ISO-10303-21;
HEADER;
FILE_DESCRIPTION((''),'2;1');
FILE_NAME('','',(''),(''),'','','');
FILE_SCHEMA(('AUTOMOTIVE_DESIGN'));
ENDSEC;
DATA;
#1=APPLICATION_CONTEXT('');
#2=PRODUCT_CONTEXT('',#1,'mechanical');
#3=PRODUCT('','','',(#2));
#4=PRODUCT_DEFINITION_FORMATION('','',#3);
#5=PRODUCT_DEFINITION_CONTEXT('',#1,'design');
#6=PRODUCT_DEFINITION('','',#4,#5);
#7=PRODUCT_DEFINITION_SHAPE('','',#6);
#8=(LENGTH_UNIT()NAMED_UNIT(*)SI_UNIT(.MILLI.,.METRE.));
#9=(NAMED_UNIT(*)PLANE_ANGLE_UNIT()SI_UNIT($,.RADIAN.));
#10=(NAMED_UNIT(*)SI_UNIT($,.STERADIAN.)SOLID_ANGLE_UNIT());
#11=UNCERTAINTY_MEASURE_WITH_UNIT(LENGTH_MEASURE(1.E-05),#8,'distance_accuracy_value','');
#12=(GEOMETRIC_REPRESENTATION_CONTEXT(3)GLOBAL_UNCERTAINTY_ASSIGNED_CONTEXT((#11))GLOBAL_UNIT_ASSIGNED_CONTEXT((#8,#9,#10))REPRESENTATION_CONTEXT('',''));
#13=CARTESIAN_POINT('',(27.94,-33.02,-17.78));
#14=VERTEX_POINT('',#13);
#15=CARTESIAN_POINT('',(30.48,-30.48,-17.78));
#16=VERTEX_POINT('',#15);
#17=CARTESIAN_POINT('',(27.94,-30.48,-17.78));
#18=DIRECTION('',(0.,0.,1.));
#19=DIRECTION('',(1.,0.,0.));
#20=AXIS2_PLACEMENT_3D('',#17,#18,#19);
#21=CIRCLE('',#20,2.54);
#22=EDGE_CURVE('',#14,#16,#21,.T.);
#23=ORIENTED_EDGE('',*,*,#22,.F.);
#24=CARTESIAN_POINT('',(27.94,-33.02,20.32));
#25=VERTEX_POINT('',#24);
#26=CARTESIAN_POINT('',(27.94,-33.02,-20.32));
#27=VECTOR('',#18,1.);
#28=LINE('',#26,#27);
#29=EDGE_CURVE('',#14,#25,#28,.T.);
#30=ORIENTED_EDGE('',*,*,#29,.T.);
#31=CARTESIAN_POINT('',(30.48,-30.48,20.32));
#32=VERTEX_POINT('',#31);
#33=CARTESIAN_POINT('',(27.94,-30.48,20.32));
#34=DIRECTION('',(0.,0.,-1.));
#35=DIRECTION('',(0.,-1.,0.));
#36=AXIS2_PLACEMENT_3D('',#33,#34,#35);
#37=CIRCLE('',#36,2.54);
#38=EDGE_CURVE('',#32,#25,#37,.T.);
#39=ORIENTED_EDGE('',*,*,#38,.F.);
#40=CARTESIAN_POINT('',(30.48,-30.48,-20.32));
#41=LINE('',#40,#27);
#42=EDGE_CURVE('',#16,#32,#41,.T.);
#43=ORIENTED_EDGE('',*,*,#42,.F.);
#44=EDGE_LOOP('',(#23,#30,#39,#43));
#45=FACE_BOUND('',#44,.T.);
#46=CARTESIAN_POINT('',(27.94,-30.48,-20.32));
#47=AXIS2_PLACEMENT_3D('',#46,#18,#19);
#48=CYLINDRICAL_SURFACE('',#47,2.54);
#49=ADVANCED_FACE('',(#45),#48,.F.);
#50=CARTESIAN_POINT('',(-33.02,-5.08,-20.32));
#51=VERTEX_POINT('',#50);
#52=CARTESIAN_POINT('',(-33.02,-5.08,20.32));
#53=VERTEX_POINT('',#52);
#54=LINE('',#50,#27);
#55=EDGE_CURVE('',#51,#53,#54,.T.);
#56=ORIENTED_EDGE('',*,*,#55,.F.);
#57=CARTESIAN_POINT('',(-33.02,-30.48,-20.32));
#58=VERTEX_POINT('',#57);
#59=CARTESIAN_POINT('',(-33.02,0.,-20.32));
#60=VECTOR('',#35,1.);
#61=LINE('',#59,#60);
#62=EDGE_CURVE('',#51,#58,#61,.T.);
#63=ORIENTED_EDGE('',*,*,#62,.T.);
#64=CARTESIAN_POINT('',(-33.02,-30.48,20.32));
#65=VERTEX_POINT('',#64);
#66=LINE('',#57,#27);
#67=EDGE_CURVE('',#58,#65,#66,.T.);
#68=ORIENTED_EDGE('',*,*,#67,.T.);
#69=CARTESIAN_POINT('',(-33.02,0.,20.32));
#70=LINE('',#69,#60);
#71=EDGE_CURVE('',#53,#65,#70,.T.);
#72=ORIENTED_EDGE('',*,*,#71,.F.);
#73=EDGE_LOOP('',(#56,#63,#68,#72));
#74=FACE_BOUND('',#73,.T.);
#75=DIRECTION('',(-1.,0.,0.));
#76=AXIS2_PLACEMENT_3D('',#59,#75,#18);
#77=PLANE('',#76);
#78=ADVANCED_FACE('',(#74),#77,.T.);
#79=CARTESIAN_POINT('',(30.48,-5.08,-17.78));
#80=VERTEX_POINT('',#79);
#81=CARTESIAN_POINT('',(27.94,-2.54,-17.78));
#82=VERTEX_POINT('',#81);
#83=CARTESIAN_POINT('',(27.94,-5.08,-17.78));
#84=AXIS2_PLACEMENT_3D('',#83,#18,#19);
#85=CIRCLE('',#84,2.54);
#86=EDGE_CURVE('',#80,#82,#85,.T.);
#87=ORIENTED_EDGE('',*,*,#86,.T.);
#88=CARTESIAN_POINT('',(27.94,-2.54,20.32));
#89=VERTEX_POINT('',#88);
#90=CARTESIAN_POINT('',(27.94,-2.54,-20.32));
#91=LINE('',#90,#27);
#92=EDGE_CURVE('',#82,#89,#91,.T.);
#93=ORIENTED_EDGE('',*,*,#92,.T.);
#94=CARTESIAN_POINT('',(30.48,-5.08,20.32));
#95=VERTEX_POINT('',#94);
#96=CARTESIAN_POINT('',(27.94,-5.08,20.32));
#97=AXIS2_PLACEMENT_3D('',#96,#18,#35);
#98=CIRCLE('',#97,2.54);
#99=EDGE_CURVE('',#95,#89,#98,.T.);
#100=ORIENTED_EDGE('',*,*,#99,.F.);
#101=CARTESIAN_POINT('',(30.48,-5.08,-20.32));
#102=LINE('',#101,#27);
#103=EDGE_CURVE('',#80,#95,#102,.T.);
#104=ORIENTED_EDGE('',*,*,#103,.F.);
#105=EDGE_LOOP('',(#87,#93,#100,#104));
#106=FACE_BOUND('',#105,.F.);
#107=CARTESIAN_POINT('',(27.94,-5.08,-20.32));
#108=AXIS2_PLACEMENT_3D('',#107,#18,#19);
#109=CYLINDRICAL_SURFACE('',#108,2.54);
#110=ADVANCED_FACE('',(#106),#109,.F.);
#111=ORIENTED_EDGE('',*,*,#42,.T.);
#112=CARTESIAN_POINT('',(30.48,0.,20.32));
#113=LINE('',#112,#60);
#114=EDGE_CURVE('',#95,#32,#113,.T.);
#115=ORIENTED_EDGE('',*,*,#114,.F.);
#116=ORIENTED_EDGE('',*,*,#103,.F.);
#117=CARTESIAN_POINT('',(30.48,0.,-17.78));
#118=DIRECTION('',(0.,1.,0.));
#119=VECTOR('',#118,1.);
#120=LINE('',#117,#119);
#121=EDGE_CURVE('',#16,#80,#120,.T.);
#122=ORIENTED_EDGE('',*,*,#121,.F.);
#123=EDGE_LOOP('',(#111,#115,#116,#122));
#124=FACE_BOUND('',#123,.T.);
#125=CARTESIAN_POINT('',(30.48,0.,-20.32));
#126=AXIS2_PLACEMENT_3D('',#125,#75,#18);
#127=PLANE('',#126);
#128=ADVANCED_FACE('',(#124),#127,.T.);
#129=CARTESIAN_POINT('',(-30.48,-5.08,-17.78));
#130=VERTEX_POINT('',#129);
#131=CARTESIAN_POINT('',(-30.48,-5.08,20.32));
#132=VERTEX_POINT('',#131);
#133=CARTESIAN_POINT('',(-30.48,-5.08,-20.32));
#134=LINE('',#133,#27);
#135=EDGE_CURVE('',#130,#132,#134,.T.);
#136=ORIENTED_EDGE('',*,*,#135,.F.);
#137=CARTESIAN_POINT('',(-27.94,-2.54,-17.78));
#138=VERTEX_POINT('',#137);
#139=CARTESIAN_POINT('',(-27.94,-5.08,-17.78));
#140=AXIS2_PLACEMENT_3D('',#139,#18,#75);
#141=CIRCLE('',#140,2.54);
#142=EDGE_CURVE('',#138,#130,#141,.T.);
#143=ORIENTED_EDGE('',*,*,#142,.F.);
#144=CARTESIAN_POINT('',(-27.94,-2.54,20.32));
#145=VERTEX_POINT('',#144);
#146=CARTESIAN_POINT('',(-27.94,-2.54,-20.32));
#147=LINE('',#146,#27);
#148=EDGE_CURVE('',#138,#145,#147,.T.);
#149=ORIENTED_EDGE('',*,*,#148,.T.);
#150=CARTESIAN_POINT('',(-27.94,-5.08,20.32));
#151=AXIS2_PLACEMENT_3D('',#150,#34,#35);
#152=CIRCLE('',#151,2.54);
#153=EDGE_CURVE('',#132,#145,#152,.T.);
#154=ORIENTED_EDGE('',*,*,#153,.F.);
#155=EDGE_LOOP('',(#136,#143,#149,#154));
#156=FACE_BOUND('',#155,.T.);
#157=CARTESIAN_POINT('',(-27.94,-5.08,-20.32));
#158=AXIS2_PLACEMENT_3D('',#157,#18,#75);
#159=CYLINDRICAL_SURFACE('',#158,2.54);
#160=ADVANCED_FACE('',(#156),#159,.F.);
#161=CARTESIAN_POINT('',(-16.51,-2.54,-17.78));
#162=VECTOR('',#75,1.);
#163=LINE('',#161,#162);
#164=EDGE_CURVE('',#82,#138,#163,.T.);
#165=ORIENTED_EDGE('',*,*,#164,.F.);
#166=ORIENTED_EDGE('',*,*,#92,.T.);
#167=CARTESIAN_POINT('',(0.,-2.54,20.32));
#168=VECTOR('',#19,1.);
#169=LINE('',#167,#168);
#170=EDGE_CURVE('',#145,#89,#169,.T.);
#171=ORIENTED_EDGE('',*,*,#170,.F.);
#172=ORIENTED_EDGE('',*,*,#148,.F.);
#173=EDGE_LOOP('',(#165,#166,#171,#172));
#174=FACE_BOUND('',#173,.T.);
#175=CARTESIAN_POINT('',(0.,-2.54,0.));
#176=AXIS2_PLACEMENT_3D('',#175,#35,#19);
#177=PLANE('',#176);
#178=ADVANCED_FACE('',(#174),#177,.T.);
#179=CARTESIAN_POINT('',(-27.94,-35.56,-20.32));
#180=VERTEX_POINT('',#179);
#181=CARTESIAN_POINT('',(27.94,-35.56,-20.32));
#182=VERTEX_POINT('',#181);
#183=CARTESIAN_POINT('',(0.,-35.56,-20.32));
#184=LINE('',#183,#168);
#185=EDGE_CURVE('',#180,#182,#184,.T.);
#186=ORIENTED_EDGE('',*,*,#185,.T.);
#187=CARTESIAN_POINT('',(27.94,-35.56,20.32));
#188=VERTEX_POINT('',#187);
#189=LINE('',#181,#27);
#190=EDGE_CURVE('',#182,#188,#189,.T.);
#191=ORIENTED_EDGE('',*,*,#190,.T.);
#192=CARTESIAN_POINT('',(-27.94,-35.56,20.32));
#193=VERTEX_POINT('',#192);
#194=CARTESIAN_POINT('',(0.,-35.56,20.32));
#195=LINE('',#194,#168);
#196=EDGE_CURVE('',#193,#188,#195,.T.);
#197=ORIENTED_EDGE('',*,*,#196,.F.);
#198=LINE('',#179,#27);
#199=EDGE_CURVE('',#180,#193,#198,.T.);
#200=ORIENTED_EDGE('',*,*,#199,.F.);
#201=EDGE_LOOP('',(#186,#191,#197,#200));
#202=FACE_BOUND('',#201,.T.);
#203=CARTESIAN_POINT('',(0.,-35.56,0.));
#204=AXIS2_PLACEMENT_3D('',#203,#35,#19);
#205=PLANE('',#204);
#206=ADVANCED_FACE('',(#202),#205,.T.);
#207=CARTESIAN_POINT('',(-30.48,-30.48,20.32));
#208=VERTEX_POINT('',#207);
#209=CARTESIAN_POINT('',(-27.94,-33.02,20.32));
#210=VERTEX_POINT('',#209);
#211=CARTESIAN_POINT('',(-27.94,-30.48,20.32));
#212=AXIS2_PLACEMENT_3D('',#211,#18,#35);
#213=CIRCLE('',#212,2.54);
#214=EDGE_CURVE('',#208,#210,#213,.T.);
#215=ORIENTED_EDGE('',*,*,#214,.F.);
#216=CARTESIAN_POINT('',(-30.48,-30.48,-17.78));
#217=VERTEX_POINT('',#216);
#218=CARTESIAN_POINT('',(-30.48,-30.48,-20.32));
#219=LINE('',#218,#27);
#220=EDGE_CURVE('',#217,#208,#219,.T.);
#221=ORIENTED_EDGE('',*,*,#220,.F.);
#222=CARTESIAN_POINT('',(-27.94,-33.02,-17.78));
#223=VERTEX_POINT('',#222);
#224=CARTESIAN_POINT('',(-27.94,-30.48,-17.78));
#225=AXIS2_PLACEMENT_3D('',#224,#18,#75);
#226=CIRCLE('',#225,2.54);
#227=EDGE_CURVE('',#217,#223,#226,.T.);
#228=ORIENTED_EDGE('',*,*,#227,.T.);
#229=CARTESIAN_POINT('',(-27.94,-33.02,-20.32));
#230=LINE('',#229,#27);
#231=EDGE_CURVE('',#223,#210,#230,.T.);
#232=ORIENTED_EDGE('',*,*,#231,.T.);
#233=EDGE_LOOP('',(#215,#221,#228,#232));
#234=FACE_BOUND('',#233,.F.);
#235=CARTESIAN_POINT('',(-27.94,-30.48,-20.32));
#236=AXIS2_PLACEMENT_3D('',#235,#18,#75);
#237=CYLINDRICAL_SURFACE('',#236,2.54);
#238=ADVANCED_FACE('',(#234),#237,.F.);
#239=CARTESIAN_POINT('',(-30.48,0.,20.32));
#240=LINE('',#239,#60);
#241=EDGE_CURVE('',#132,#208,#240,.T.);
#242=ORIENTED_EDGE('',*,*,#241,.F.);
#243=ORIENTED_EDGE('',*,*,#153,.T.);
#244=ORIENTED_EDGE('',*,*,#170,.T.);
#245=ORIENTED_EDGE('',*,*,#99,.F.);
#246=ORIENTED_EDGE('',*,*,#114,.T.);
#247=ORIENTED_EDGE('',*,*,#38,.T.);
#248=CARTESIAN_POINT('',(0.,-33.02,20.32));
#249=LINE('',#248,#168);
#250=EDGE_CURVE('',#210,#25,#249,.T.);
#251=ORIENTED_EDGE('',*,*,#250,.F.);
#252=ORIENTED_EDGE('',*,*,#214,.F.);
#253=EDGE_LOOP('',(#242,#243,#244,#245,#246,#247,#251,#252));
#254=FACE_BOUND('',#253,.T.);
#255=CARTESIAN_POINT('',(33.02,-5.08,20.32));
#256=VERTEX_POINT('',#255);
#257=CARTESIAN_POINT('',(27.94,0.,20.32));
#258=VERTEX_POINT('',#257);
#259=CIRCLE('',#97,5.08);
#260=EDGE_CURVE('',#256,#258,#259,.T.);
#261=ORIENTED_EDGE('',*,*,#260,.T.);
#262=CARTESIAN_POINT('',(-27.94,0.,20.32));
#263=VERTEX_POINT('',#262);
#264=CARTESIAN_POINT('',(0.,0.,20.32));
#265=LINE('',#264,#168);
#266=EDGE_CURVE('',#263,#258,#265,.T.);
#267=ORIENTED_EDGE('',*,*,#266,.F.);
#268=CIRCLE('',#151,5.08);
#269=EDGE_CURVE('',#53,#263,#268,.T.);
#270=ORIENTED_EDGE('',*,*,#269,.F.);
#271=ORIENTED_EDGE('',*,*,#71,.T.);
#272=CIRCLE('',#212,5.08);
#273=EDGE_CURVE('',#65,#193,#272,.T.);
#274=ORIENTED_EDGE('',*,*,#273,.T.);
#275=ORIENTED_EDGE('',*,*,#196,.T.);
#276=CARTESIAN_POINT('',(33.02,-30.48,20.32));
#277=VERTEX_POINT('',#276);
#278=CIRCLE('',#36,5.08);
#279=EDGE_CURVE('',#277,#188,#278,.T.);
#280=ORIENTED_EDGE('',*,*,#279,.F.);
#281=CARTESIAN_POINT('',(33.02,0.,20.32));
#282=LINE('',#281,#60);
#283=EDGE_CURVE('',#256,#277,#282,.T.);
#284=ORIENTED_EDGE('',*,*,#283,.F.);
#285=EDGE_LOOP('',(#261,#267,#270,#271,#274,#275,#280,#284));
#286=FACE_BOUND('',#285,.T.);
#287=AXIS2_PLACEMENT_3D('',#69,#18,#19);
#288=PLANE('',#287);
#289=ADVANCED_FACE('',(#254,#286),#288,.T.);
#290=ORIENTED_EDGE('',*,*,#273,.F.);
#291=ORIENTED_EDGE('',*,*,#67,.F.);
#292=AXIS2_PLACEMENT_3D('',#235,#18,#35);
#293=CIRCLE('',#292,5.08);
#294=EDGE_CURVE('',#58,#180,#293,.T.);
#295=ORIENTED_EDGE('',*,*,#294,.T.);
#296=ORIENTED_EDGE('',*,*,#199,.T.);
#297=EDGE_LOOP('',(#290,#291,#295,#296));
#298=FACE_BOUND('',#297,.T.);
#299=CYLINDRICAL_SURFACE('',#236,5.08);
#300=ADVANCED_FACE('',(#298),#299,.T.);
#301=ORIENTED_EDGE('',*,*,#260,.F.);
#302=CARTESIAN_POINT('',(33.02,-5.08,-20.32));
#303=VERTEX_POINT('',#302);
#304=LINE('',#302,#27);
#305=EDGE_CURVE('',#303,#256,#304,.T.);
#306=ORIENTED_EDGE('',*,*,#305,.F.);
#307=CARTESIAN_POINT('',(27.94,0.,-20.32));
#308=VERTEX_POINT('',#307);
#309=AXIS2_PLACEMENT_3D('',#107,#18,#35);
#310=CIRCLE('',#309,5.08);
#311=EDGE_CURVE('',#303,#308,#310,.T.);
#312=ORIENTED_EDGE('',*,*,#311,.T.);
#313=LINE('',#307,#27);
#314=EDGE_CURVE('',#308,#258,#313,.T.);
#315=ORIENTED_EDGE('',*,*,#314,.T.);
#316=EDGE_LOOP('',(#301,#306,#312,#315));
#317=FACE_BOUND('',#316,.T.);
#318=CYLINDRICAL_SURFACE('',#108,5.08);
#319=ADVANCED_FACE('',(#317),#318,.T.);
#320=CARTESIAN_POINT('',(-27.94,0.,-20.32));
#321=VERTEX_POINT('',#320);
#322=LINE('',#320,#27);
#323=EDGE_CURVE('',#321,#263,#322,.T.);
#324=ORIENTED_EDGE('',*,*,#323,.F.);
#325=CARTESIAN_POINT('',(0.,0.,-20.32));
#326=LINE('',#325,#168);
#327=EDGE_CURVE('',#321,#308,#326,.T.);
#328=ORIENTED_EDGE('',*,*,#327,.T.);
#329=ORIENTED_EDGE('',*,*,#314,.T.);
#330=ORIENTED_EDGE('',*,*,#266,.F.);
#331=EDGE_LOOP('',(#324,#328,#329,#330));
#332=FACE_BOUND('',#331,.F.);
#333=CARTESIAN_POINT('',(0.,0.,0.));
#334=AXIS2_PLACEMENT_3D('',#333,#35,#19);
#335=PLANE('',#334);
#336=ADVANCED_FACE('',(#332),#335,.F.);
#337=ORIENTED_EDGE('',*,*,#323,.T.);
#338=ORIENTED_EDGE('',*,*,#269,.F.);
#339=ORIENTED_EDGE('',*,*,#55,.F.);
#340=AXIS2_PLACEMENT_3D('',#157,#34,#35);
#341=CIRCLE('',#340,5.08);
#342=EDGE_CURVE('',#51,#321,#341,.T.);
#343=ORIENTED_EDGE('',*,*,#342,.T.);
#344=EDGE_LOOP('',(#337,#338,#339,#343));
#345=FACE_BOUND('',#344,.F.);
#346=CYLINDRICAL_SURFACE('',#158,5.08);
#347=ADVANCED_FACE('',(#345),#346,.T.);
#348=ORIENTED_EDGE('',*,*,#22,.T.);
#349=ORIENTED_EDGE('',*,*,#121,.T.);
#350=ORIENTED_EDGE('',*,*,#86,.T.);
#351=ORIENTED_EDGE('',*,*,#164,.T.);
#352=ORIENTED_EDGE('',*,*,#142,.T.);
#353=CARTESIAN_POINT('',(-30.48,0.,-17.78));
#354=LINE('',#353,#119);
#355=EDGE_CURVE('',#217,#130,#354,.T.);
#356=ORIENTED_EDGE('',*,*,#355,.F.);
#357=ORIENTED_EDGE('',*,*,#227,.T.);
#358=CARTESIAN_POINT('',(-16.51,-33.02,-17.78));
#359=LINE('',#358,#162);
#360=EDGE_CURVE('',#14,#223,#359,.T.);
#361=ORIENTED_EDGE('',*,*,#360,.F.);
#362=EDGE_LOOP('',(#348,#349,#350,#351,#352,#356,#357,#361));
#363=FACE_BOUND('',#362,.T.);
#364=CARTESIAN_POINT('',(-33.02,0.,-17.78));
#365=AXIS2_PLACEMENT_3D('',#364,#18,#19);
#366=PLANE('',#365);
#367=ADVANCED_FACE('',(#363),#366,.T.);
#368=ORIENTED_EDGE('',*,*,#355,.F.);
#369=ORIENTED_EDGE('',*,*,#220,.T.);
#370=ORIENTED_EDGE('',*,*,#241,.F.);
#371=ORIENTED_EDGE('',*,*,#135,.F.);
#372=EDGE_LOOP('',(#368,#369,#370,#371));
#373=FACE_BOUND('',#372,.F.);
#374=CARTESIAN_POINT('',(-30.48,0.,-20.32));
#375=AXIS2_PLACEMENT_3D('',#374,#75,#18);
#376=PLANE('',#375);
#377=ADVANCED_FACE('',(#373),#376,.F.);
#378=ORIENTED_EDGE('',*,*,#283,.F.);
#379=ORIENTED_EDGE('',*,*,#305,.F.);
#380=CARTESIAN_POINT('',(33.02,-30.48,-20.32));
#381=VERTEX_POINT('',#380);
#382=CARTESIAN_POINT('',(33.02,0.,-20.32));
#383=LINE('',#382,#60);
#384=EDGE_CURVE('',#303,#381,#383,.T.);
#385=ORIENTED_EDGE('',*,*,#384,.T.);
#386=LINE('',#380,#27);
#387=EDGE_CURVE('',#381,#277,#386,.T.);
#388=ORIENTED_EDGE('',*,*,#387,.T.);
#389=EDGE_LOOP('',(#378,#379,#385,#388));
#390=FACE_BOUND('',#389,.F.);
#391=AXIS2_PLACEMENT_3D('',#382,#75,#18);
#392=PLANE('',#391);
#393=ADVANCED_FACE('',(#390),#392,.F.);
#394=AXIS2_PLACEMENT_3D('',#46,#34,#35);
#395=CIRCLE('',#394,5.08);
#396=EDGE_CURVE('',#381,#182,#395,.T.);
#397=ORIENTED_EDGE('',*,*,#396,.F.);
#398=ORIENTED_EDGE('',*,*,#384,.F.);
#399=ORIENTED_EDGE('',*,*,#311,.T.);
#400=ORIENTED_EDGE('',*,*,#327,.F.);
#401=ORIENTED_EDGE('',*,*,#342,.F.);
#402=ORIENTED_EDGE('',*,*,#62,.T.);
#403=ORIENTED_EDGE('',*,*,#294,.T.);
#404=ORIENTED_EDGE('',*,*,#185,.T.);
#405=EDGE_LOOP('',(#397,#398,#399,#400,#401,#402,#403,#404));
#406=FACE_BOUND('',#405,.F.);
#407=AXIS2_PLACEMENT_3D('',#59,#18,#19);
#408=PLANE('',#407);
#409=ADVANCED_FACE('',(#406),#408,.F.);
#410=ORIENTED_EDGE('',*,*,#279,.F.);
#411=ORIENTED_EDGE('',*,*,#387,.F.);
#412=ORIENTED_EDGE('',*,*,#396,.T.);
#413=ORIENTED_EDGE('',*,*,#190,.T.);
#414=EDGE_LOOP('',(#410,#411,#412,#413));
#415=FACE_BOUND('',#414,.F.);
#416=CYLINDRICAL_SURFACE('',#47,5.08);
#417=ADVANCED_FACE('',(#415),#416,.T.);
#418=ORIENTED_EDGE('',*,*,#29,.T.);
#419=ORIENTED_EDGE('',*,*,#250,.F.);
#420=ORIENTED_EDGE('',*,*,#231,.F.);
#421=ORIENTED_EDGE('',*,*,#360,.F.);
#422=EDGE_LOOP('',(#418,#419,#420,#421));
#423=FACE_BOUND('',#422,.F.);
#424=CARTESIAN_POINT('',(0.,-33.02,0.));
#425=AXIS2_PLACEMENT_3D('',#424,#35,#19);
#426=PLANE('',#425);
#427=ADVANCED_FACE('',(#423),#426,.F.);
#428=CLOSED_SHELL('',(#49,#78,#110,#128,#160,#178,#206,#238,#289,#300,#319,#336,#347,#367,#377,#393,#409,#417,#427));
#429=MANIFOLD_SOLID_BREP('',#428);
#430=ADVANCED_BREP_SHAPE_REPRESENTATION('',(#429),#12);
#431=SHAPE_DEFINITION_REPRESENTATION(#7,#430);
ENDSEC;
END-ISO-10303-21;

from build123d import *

# Parameters (mm, degrees)
F0_W     = 66.04
F0_H     = 40.64
F1_DEPTH = 35.56
F2_R     = 5.08
F3_T     = -2.54


with BuildPart() as f1:
    # F0 (on Front) → F1 (new body)
    with BuildSketch(Plane.XZ):
        Rectangle(F0_W, F0_H)
    extrude(amount=F1_DEPTH)

    # F2
    f2_edges = [f1.edges().sort_by_distance(p)[0] for p in [
        (33.02, -35.56, 0),
        (33.02, 0, 0),
        (-33.02, -35.56, 0),
        (-33.02, 0, 0),
    ]]
    fillet(f2_edges, radius=F2_R)

    # F3
    f3_openings = [f1.faces().sort_by_distance(p)[0] for p in [
        (0, -17.78, 20.32),
    ]]
    offset(amount=F3_T, openings=f3_openings)


solid = f1.part
